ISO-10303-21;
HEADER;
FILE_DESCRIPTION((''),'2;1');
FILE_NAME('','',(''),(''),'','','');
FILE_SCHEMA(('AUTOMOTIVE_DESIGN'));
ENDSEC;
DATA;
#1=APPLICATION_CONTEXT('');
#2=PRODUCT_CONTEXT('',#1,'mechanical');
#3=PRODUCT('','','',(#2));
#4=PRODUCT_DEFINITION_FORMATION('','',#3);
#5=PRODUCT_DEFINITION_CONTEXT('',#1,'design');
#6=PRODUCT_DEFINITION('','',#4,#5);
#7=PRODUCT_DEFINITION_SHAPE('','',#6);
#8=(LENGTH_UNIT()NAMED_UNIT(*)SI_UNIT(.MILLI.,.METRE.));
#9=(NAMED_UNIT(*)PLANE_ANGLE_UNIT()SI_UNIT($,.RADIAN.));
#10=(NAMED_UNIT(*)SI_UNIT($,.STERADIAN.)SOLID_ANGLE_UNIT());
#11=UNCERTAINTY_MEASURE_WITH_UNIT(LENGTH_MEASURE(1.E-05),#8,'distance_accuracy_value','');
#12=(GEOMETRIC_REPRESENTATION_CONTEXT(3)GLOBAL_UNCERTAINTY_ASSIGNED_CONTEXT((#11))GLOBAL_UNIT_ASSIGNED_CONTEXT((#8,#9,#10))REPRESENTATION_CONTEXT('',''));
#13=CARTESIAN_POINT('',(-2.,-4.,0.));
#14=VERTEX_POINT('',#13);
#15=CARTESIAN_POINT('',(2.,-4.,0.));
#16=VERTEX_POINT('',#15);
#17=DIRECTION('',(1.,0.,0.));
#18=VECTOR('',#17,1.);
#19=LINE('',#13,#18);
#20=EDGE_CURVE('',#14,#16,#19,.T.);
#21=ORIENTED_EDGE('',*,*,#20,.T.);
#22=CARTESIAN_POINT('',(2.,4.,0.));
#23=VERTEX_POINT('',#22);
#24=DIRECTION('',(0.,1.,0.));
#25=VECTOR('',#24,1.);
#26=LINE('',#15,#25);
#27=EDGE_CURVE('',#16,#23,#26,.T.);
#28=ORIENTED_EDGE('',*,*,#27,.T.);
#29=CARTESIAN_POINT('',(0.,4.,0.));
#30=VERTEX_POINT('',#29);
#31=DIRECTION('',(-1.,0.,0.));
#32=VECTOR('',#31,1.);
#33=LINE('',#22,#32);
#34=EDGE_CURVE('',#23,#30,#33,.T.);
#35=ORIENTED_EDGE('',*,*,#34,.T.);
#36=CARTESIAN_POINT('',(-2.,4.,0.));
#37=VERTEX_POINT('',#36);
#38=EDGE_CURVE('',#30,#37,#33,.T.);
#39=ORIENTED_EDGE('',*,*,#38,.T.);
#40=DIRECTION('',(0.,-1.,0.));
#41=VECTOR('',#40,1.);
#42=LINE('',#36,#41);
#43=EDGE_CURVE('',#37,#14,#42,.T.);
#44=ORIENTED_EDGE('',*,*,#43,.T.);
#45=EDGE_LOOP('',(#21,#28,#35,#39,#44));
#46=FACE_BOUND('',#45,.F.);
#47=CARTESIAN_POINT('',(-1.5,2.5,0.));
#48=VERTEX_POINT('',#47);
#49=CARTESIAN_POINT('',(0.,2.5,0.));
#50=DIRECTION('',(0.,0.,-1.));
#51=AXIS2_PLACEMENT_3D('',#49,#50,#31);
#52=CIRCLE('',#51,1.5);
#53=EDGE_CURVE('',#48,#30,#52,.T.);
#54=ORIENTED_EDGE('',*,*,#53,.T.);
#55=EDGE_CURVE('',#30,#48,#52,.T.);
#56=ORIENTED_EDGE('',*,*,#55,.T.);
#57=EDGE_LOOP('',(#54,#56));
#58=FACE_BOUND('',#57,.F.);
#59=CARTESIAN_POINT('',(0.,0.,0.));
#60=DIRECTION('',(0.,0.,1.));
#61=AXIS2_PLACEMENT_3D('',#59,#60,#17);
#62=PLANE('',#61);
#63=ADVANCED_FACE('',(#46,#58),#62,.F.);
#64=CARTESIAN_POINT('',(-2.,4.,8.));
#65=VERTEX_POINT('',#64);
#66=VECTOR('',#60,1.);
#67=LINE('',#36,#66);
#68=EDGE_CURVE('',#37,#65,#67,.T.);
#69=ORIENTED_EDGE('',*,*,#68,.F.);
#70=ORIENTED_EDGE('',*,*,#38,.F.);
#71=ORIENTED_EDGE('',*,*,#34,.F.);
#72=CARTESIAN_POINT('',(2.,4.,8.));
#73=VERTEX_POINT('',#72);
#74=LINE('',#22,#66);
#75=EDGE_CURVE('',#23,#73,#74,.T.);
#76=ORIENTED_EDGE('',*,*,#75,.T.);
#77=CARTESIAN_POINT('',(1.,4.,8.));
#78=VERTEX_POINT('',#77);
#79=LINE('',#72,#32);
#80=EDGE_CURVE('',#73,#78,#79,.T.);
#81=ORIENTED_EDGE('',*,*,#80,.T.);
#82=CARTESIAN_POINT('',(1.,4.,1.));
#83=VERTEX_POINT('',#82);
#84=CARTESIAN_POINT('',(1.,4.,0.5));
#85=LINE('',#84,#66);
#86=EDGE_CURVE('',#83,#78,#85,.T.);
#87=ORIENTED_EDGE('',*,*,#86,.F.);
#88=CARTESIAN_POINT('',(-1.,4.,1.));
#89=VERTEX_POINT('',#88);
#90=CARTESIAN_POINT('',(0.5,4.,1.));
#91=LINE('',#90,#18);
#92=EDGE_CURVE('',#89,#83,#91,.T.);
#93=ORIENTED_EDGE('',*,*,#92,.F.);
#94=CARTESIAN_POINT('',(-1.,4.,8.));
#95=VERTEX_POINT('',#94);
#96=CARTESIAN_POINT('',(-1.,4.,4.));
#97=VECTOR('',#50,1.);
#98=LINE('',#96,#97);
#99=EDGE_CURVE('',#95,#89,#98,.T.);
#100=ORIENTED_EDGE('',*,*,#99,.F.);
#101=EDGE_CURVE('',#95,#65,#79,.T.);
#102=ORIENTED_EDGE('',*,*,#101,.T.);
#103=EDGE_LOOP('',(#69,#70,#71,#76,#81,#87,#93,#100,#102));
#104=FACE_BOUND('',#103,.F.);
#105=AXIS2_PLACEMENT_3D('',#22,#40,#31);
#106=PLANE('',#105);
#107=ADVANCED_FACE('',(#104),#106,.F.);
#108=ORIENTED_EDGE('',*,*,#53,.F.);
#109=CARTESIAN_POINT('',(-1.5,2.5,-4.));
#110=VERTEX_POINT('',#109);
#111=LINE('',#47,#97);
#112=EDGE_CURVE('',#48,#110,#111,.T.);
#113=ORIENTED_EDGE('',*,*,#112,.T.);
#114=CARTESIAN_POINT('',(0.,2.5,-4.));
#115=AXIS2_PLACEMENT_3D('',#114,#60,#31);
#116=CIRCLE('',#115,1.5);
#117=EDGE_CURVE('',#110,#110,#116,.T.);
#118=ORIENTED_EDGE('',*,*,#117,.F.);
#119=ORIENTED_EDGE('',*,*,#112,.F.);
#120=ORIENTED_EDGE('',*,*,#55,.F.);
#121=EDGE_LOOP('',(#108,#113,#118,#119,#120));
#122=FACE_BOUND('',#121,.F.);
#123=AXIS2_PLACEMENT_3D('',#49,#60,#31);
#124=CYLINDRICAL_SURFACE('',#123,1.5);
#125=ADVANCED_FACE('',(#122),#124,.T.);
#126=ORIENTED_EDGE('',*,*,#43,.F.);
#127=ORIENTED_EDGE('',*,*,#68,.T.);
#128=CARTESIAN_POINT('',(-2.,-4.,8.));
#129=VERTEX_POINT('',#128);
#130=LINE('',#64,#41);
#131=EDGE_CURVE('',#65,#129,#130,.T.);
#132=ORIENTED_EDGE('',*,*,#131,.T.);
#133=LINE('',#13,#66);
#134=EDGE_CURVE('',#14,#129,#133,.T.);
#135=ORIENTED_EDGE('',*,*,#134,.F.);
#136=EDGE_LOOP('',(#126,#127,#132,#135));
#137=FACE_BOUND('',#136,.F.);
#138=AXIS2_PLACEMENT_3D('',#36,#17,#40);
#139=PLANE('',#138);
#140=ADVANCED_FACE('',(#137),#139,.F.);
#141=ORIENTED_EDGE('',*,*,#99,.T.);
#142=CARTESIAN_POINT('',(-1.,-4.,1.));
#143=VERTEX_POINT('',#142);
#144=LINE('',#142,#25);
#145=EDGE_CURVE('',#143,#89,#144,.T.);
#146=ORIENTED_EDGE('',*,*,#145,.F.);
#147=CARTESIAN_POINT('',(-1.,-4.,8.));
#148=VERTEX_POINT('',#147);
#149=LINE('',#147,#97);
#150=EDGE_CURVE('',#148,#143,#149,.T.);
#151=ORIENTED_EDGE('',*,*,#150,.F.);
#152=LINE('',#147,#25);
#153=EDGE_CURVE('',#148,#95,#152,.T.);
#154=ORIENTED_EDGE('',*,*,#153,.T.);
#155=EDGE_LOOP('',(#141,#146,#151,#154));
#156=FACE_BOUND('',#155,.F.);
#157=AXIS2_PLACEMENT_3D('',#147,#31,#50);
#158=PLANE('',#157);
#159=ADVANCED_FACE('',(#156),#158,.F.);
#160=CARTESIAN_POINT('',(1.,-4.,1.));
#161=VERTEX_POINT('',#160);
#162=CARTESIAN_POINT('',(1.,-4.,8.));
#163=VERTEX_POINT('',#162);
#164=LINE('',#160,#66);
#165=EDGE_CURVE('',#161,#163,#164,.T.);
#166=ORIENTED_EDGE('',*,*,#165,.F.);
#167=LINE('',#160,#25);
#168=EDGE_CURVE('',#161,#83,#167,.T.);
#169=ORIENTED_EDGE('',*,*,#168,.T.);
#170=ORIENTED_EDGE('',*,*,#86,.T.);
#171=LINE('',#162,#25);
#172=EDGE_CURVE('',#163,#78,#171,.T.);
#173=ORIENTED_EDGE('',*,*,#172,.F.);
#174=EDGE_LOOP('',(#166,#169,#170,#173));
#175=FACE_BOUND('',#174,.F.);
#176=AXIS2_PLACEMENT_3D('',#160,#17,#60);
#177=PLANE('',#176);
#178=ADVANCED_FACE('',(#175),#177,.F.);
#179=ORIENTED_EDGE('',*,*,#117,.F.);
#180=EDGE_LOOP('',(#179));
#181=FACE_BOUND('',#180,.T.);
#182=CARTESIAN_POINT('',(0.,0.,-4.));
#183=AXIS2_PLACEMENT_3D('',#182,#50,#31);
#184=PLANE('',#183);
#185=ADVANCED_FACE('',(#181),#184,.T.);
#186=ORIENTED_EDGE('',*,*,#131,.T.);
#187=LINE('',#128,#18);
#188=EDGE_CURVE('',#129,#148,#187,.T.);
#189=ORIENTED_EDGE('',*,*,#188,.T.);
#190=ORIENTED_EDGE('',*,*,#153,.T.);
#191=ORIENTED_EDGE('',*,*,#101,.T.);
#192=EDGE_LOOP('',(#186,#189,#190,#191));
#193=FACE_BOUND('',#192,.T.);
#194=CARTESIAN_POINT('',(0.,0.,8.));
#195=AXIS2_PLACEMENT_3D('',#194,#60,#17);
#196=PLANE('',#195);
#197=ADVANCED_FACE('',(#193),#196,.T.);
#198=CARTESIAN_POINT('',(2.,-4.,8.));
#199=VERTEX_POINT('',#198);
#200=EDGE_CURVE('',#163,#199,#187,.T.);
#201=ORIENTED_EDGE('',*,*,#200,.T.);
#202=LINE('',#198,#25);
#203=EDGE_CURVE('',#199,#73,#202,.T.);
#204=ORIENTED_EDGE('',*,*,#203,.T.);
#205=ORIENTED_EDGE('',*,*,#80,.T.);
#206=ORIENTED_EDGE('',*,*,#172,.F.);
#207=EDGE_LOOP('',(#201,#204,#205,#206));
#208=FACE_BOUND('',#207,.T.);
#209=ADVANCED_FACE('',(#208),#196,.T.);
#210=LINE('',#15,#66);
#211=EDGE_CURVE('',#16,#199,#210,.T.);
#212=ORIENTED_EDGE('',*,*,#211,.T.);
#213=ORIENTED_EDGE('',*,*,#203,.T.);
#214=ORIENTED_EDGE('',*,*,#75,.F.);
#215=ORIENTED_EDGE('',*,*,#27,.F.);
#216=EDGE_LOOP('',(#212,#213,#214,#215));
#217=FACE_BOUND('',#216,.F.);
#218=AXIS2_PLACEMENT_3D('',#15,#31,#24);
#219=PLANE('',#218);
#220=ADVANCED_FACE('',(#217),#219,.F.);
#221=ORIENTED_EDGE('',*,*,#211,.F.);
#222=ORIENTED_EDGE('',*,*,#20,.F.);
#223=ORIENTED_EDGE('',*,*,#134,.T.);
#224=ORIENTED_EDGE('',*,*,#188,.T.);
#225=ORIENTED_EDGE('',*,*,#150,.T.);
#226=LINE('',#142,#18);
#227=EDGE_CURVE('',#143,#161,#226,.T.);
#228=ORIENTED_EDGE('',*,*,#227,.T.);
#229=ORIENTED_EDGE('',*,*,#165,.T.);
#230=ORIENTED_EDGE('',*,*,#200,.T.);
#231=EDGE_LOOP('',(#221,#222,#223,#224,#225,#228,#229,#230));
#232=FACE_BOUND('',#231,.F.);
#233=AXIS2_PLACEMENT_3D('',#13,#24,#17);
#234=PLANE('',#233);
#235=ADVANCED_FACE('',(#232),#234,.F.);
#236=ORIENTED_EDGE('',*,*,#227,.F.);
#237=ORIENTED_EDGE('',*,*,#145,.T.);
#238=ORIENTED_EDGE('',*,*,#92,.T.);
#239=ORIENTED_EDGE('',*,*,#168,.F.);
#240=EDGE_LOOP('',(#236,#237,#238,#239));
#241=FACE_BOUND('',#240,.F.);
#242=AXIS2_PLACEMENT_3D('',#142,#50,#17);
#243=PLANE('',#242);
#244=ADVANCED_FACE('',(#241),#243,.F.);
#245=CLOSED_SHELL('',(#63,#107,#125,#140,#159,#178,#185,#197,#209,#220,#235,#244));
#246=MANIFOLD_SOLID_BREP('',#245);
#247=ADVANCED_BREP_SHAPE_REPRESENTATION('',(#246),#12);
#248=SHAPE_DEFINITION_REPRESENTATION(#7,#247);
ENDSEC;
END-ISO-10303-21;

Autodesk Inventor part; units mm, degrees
ref_plane "YZ Plane" through (0, 0, 0) normal (1, 0, 0) x (0, 1, 0)
ref_plane "XZ Plane" through (0, 0, 0) normal (0, 1, 0) x (-1, 0, 0)
ref_plane "XY Plane" through (0, 0, 0) normal (0, 0, 1) x (1, 0, 0)
sketch "Body_Skt" plane through (0, 0, 0) normal (0, 0, 1) x (1, 0, 0)
  line L0 (-2, -4) -> (2, -4)
  line L1 (2, -4) -> (2, 4)
  line L2 (2, 4) -> (-2, 4)
  line L3 (-2, 4) -> (-2, -4)
  line L4 (-2, -4) -> (2, 4) construction
  line L5 (2, -4) -> (-2, 4) construction
  point P0 (0, 0)
  dimension "d0" = 4
  dimension "d1" = 8
extrude "Body" add sketch "Body_Skt" along normal blind 8
sketch "Wall_Skt" plane through (-2, -4, 0) normal (0, -1, 0) x (1, 0, 0)
  line L0 (0, 8) -> (4, 8) projected
  line L1 (3, 8) -> (1, 8)
  line L2 (1, 8) -> (1, 1)
  line L3 (1, 1) -> (3, 1)
  line L4 (3, 1) -> (3, 8)
  line L5 (4, 0) -> (4, 8) projected
  line L6 (0, 0) -> (4, 0) projected
  line L7 (0, 0) -> (0, 8) projected
  point P0 (2, 0)
  dimension "d4" = 1
  dimension "d5" = 1
  dimension "d6" = 1
extrude "Wall" cut sketch "Wall_Skt" against normal through all contours L0 L4 L3 L2
sketch "Leg_Skt" plane through (0, 0, 0) normal (0, 0, -1) x (-1, 0, 0)
  circle A0 centre (0, 2.5) radius 1.5
  line L0 (-2, 4) -> (2, 4) projected
  line L1 (0, 0) -> (0, 4) construction
  dimension "d10" = 3
extrude "Leg" add sketch "Leg_Skt" along normal blind 4
equation "\"d0\" = wall_inner_diam + 2 * wall_outer_diam"
equation "\"d1\" = wall_widh"
equation "\"d2\" = wall_height"
equation "\"d4\" = wall_outer_diam"
equation "\"d5\" = wall_outer_diam"
equation "\"d6\" = wall_outer_diam"
equation "\"d7\" = d1 - wall_outer_diam"
equation "\"d10\" = leg_diam"
equation "\"d11\" = leg_height"
equation "\"wall_inner_diam\" = 2"
equation "\"wall_outer_diam\" = 1"
equation "\"wall_height\" = 8"
equation "\"leg_diam\" = 3"
equation "\"leg_height\" = 4"
equation "\"wall_widh\" = 8"
properties part number "coffee"
